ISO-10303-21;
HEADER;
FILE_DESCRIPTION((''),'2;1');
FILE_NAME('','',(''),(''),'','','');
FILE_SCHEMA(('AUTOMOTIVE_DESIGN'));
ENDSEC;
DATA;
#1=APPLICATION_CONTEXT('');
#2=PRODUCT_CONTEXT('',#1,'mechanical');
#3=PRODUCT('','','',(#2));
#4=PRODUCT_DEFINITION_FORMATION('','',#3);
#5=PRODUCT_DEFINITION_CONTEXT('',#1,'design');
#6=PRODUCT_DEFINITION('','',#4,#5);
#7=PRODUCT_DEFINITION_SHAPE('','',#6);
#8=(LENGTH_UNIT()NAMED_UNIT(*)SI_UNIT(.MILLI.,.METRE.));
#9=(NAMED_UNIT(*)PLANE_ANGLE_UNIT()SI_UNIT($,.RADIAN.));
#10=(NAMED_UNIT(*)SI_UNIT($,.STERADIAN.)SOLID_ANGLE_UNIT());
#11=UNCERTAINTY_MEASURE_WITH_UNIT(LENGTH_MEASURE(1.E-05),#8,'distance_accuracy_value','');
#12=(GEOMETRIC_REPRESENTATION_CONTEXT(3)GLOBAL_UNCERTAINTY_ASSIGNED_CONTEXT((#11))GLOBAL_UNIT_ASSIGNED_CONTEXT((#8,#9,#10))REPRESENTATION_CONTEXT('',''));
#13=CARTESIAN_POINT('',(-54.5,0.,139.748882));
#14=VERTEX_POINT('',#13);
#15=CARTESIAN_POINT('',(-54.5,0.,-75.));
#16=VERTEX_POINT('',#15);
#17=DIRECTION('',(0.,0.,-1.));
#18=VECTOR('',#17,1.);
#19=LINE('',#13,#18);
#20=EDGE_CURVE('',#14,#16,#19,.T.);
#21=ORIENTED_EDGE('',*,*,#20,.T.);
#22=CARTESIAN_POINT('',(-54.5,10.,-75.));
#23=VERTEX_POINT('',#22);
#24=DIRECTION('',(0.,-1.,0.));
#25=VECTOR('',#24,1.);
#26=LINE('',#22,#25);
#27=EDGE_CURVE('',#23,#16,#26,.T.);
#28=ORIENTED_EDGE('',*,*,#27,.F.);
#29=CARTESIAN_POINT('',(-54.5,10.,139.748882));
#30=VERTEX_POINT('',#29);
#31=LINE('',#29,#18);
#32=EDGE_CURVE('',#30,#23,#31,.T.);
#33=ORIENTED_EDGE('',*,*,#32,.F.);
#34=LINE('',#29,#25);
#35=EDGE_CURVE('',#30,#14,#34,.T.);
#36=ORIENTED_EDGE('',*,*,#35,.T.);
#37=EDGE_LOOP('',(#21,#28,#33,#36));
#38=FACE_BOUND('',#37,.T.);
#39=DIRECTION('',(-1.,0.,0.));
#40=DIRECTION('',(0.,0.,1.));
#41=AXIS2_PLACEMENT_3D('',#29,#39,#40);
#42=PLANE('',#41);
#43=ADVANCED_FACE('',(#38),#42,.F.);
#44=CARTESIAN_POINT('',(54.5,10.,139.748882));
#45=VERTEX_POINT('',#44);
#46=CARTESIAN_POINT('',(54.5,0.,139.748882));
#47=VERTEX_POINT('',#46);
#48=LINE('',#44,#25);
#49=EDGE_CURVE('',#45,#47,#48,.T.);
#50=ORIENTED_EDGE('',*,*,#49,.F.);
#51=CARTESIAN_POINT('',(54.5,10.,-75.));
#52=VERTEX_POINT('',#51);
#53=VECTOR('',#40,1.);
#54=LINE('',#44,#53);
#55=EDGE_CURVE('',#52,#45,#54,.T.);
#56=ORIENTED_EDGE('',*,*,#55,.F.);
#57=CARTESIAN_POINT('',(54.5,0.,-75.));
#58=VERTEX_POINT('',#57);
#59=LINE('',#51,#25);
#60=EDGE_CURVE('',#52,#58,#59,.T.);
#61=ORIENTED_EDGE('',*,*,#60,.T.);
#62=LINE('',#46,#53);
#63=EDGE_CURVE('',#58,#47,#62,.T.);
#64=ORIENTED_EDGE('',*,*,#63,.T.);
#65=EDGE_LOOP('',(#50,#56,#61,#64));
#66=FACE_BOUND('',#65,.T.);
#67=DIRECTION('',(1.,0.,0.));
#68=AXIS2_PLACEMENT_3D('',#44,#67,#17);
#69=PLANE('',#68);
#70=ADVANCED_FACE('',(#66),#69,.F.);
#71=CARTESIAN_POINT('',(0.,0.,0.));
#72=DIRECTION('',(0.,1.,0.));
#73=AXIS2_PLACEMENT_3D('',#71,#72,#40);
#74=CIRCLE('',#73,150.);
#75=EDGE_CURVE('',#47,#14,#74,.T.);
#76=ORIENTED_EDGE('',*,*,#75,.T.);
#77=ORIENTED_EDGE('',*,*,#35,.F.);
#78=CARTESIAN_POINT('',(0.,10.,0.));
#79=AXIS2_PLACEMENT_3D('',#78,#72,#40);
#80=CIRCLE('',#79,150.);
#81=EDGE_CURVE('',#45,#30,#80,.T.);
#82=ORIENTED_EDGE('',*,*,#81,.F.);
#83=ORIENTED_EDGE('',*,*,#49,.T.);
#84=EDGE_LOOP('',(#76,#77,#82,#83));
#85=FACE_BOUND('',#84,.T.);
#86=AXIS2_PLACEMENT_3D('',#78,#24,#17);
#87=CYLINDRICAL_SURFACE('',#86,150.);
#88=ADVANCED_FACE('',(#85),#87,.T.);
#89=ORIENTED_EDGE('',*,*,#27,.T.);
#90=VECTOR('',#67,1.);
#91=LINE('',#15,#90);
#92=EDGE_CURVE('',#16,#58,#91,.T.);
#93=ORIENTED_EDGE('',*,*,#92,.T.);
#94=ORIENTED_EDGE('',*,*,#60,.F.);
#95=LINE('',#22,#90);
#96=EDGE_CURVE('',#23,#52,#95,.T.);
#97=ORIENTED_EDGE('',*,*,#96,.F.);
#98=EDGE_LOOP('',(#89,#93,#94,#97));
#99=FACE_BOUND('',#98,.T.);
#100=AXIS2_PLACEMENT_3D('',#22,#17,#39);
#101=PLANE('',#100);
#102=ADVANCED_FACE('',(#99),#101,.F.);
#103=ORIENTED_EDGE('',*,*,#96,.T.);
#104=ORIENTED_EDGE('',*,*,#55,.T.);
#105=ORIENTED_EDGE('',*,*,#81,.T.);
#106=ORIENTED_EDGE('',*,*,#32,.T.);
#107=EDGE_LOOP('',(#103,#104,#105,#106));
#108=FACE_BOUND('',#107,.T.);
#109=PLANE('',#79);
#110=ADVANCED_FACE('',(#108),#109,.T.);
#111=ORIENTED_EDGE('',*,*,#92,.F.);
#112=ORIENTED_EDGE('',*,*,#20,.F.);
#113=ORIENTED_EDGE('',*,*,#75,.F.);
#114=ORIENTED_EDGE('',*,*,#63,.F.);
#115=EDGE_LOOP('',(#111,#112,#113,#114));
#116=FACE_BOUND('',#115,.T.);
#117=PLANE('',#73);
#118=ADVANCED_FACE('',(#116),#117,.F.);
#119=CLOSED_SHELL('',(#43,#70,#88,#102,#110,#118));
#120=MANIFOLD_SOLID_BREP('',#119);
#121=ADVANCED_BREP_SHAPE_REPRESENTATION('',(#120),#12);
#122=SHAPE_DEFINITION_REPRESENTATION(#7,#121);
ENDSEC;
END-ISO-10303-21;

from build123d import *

# Parameters (mm, degrees)
EXTRUDE1_DEPTH = 10


with BuildPart() as part:
    # Sketch1 → Extrude1 (new body)
    with BuildSketch(Plane(origin=(0, 0, 0), x_dir=(1, 0, 0), z_dir=(0, 1, 0))):
        with BuildLine():
            Line((-54.5, -139.748881928), (-54.5, 75))
            Line((-54.5, 75), (54.5, 75))
            Line((54.5, 75), (54.5, -139.748881928))
            ThreePointArc((54.5, -139.748881928), (0, 150), (-54.5, -139.748881928))
        make_face()
    extrude(amount=EXTRUDE1_DEPTH)


solid = part.part
